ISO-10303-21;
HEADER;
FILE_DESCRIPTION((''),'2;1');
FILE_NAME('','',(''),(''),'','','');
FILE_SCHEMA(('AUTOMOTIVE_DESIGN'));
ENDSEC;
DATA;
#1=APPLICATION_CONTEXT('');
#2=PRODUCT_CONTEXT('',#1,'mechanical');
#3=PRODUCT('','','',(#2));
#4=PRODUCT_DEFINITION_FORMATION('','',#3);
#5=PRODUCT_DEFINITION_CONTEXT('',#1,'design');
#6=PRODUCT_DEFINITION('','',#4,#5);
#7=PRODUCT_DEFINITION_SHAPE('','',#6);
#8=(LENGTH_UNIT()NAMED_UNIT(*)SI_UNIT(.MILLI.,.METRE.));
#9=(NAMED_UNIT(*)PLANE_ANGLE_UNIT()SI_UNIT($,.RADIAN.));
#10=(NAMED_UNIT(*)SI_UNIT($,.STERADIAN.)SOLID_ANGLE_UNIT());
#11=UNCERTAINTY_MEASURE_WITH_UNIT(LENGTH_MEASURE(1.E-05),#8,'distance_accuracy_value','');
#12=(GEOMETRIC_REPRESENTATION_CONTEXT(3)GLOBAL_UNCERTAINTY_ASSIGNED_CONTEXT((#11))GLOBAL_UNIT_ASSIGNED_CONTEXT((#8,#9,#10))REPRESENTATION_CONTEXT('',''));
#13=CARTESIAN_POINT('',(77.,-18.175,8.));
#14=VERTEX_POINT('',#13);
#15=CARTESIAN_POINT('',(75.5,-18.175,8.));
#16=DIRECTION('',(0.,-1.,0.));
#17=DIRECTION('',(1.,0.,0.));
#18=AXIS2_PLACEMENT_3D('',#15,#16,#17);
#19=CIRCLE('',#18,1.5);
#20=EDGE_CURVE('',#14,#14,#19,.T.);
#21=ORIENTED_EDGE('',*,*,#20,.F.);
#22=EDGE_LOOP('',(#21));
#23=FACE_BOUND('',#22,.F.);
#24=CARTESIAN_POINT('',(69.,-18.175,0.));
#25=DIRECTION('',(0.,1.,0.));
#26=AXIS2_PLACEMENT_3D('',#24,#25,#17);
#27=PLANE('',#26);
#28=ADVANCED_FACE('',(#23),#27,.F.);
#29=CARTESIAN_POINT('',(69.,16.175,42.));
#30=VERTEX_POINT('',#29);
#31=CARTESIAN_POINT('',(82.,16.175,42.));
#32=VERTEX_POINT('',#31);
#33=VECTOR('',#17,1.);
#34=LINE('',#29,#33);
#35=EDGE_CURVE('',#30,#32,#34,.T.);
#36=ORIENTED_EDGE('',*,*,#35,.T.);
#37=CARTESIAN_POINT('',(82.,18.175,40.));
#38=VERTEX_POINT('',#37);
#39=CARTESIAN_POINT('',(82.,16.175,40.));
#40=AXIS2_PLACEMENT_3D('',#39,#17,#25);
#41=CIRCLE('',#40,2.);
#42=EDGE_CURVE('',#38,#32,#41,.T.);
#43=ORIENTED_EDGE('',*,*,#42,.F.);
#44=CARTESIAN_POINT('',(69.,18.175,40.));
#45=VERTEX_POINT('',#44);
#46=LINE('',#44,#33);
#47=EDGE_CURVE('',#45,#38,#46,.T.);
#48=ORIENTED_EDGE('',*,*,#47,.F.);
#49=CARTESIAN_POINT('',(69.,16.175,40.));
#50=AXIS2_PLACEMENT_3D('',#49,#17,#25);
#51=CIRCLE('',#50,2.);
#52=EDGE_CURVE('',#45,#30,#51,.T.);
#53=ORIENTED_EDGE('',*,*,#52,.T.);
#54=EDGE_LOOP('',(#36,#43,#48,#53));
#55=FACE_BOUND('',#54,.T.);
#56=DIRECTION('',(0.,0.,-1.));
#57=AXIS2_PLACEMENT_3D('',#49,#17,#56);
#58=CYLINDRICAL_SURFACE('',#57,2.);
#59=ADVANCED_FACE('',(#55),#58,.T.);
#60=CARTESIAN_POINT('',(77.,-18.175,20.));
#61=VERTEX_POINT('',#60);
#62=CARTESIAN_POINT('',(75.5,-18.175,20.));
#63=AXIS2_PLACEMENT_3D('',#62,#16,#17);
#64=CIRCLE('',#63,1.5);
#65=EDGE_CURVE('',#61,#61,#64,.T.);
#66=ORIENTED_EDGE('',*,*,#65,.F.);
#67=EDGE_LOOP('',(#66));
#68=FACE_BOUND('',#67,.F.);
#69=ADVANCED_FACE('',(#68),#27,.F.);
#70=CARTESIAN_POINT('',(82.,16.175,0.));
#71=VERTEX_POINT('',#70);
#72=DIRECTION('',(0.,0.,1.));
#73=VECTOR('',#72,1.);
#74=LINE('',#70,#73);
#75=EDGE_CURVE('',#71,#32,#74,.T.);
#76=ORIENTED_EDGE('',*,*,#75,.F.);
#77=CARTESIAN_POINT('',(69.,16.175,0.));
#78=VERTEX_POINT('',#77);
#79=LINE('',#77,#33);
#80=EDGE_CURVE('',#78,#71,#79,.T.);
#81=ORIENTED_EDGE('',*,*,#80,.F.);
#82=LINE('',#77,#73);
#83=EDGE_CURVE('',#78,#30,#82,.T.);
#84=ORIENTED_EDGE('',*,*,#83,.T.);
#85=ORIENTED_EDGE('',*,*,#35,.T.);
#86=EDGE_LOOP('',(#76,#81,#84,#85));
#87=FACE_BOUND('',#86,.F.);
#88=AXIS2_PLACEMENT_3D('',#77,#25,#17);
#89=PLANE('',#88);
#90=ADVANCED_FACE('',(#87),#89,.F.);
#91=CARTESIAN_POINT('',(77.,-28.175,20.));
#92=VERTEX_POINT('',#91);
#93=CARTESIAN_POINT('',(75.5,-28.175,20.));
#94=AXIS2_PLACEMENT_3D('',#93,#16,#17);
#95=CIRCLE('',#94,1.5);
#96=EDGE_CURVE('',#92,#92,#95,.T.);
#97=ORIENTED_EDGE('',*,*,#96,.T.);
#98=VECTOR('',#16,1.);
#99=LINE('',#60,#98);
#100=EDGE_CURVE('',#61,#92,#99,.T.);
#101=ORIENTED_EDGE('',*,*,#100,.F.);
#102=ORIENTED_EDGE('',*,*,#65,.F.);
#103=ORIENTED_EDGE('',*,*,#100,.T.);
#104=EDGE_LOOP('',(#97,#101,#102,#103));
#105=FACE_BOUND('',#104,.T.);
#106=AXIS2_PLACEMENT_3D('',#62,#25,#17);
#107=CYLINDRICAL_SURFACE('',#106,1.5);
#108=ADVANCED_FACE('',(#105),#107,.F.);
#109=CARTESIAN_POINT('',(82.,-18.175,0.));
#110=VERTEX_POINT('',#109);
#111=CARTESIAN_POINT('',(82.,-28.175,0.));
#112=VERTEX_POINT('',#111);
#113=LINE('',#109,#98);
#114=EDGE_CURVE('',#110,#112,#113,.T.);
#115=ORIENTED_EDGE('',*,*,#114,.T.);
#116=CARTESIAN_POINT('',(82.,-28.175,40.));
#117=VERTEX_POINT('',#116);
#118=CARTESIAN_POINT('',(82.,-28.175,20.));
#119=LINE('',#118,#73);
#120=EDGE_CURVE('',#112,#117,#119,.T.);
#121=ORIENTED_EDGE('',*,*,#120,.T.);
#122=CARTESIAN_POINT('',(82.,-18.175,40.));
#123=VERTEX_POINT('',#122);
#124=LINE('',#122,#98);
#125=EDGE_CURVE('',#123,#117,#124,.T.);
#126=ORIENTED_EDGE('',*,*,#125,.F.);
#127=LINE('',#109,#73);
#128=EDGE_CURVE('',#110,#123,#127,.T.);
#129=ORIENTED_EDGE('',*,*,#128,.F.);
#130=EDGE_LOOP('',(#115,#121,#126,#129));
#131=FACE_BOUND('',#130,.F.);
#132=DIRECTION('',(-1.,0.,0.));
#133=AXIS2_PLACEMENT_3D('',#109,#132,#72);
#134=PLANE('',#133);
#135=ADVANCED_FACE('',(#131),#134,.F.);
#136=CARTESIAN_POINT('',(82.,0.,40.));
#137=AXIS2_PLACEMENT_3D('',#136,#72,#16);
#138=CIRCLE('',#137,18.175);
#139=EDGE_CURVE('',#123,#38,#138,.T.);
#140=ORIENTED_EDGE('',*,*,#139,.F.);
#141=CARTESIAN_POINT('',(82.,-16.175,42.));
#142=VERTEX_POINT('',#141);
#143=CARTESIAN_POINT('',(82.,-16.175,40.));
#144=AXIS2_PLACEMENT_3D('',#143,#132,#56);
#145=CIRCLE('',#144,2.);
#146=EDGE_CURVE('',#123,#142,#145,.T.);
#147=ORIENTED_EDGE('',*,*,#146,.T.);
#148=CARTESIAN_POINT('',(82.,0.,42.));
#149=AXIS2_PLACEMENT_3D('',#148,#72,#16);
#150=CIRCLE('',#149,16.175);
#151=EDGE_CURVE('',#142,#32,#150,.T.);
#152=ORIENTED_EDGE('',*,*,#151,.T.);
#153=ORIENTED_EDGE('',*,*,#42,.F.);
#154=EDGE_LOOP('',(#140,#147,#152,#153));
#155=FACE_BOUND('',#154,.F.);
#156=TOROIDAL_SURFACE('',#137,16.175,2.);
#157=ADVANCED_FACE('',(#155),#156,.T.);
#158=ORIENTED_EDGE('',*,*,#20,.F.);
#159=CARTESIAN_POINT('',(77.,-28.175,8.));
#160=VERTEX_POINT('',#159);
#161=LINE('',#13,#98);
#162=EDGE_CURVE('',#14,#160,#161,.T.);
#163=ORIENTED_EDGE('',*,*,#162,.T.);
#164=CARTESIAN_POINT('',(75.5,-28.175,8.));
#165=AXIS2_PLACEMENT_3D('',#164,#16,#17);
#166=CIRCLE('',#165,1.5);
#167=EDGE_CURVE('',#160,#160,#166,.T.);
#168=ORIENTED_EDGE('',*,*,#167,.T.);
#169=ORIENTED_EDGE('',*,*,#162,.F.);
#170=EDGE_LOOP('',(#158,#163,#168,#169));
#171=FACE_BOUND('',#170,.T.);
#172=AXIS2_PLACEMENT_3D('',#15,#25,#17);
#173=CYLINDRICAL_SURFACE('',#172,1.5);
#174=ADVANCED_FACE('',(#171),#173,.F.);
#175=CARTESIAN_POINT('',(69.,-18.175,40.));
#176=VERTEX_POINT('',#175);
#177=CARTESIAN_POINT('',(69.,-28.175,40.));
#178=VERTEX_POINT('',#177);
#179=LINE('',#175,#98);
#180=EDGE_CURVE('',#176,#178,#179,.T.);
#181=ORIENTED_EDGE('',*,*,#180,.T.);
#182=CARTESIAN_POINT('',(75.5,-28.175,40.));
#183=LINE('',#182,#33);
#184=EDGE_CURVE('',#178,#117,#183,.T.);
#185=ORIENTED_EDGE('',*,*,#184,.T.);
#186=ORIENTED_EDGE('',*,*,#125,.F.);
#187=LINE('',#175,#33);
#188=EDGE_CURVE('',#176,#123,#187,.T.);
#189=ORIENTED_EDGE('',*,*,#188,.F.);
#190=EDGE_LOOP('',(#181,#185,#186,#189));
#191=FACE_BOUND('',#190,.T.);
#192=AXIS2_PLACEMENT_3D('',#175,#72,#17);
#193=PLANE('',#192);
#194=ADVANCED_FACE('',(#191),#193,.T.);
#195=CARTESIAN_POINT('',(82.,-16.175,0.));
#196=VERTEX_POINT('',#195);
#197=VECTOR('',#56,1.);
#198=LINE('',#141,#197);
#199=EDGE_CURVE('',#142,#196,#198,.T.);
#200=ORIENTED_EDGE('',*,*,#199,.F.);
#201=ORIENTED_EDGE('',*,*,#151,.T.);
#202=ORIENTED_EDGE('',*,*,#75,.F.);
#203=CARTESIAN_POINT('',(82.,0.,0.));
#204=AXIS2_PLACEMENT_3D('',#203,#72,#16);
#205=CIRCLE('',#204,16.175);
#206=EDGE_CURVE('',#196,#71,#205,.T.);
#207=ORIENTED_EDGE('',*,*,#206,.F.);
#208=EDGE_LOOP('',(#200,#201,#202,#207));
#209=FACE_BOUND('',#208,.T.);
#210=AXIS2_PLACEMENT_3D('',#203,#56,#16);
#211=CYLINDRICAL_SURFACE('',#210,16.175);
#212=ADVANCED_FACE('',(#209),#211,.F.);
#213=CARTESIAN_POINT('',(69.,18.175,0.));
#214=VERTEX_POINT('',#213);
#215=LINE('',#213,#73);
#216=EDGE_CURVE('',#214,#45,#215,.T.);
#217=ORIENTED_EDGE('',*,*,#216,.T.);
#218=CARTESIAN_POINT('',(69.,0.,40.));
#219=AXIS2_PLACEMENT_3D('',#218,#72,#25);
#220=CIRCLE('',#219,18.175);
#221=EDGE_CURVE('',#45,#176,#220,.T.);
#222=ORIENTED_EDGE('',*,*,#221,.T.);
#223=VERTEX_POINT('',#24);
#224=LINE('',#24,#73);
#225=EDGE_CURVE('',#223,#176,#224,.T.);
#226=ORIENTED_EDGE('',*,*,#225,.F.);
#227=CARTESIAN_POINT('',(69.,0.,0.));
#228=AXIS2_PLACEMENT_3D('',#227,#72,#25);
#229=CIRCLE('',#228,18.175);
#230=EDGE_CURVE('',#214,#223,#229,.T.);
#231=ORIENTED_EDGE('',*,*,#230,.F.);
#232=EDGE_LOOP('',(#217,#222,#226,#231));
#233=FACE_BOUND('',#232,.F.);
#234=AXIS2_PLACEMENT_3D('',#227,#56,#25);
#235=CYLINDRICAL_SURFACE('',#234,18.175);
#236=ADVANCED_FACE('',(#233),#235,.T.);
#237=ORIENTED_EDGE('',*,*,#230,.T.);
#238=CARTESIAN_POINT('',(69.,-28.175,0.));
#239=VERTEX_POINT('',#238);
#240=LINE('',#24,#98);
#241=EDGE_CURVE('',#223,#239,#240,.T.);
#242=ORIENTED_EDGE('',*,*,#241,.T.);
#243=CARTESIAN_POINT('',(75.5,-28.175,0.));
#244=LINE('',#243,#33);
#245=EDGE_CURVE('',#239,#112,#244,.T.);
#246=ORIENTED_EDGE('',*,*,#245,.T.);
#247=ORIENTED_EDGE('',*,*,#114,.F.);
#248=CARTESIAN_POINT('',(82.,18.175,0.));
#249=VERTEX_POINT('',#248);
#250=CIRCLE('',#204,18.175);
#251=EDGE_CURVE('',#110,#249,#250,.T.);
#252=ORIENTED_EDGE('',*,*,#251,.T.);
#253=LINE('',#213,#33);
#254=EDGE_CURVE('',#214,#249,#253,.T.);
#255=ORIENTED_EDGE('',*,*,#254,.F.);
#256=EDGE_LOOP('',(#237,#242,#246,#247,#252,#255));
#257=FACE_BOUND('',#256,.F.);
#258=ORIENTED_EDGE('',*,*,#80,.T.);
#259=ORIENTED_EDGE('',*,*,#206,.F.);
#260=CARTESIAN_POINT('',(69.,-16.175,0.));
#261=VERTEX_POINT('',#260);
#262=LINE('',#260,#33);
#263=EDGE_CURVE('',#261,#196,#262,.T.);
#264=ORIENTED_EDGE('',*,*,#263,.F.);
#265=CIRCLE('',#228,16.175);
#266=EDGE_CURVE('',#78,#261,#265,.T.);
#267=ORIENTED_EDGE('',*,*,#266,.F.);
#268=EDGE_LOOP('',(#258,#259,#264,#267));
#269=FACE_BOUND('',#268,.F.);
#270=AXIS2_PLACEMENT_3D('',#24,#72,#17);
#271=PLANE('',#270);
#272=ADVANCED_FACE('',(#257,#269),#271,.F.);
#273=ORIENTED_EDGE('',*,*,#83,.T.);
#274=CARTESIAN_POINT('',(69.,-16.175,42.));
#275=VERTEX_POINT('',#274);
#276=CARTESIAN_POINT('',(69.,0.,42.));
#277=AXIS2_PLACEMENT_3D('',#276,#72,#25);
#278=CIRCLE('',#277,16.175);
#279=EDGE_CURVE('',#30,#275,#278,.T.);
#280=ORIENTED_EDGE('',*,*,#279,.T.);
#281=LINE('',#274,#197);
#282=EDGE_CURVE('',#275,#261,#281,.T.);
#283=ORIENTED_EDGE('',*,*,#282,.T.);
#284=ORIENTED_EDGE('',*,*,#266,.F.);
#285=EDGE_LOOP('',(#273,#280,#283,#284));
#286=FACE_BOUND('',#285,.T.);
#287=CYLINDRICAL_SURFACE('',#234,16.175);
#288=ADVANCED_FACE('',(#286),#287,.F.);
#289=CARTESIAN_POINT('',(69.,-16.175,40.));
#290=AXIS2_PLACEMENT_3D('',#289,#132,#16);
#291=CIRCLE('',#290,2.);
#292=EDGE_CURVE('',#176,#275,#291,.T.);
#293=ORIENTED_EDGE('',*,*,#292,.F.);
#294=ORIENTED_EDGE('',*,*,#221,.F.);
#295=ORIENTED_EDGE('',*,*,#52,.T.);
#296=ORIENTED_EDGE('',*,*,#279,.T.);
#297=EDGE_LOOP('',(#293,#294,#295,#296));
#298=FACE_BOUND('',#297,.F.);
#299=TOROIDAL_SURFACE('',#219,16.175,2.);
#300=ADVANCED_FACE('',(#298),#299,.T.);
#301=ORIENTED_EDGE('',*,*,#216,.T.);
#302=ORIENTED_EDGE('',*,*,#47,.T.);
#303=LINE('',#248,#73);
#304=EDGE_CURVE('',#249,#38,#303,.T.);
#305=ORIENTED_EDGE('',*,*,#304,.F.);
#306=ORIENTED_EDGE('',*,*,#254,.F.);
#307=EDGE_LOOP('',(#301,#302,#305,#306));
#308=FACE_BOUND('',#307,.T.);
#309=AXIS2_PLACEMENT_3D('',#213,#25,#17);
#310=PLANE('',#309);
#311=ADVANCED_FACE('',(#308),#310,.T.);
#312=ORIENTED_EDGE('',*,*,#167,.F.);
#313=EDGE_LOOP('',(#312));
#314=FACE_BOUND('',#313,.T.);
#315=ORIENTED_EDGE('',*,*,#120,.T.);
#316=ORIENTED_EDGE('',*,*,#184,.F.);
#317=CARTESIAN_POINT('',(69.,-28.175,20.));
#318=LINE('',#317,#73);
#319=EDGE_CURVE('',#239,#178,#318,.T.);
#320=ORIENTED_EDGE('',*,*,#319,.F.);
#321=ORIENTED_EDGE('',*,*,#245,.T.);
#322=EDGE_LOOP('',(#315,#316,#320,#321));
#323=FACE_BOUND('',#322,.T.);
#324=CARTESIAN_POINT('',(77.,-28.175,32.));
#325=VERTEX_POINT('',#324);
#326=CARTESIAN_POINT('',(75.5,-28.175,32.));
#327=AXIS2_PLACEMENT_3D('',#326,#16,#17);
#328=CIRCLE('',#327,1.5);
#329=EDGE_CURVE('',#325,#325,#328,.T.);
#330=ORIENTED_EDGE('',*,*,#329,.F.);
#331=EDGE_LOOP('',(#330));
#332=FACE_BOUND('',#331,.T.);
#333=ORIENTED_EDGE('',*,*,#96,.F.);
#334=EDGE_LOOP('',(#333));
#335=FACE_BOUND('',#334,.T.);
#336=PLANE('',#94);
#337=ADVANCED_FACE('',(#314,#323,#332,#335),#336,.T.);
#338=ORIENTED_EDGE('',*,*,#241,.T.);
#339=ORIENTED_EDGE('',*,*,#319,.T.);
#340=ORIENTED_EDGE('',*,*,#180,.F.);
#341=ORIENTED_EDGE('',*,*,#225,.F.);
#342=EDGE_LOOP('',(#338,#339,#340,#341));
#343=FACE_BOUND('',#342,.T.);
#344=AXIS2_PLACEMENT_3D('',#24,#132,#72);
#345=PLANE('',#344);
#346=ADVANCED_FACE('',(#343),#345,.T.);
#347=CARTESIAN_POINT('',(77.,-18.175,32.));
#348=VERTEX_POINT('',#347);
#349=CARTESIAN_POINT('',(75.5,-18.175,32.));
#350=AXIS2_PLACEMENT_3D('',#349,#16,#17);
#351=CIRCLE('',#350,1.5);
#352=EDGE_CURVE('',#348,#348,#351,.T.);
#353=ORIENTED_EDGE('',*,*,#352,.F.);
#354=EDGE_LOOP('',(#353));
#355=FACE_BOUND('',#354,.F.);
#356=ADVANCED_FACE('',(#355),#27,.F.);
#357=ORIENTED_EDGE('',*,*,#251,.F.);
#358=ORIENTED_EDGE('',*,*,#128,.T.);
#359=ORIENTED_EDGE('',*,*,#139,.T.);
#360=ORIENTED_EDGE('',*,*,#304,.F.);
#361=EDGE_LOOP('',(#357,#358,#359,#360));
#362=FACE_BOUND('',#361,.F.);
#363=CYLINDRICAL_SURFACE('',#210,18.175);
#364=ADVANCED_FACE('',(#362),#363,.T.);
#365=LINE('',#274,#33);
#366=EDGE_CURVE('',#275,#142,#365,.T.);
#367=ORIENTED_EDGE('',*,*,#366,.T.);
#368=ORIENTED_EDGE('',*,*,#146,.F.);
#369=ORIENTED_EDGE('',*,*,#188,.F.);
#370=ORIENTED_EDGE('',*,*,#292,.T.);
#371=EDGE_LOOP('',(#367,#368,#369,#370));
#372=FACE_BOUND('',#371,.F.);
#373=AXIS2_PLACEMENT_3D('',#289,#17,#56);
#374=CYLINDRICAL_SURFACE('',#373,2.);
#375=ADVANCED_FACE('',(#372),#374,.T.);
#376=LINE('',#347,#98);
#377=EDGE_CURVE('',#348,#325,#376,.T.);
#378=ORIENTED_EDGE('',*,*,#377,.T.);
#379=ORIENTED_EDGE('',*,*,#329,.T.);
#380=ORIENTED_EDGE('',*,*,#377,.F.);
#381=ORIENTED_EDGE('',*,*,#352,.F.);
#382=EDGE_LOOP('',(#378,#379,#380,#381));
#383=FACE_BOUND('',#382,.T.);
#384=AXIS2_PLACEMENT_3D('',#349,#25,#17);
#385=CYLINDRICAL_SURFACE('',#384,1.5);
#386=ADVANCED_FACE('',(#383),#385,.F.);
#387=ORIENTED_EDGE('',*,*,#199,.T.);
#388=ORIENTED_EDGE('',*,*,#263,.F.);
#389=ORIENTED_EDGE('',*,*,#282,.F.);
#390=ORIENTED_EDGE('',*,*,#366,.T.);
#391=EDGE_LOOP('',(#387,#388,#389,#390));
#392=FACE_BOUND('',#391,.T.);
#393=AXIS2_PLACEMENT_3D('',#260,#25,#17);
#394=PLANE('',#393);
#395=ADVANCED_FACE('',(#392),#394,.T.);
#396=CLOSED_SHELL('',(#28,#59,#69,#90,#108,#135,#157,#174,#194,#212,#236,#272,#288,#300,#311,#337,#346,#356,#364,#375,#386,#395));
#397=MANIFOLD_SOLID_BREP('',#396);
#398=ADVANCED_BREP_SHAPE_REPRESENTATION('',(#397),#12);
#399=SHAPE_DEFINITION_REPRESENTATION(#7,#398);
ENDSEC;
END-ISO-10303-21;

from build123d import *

# Parameters (mm, degrees)
PAD005_DEPTH    = 40
THICKNESS001_T  = 2
POCKET001_DEPTH = 5
SKETCH006_W     = 13
SKETCH006_H     = 40
SKETCH006_R     = 1.5
PAD006_DEPTH    = 10


with BuildPart() as part:
    # Sketch005 → Pad005 (new body)
    with BuildSketch(Plane.XY):
        with BuildLine():
            ThreePointArc((0, 16.175), (-16.175, 0), (0, -16.175))
            Line((0, -16.175), (13, -16.175))
            ThreePointArc((13, -16.175), (29.175, 0), (13, 16.175))
            Line((0, 16.175), (13, 16.175))
        make_face()
    extrude(amount=PAD005_DEPTH)

    # Thickness001
    thickness001_openings = [part.faces().sort_by_distance(p)[0] for p in [
        (6.5, 0, 0),
    ]]
    offset(amount=THICKNESS001_T, openings=thickness001_openings)

    # Thickness001 Face5 → Pocket001 (cut)
    with BuildSketch(Plane(origin=(6.5, 0, 40), x_dir=(0, -1, 0), z_dir=(0, 0, -1))):
        with BuildLine():
            ThreePointArc((16.175, 6.5), (0, 22.675), (-16.175, 6.5))
            Line((-16.175, 6.5), (-16.175, -6.5))
            ThreePointArc((-16.175, -6.5), (0, -22.675), (16.175, -6.5))
            Line((16.175, -6.5), (16.175, 6.5))
        make_face()
    extrude(amount=-POCKET001_DEPTH, mode=Mode.SUBTRACT)

    # Sketch006 (on Face12 of Pocket001) → Pad006 (join)
    with BuildSketch(Plane.XZ.offset(18.175)):
        with Locations((6.5, 20)):
            Rectangle(SKETCH006_W, SKETCH006_H)
        with Locations((6.5, 32)):
            Circle(SKETCH006_R, mode=Mode.SUBTRACT)
        with Locations((6.5, 20)):
            Circle(SKETCH006_R, mode=Mode.SUBTRACT)
        with Locations((6.5, 8)):
            Circle(SKETCH006_R, mode=Mode.SUBTRACT)
    extrude(amount=PAD006_DEPTH)


with BuildPart() as part_1:
    # Body002 placement: moved
    add(part.part.moved(Location((69, 0, 0))))


solid = part_1.part
